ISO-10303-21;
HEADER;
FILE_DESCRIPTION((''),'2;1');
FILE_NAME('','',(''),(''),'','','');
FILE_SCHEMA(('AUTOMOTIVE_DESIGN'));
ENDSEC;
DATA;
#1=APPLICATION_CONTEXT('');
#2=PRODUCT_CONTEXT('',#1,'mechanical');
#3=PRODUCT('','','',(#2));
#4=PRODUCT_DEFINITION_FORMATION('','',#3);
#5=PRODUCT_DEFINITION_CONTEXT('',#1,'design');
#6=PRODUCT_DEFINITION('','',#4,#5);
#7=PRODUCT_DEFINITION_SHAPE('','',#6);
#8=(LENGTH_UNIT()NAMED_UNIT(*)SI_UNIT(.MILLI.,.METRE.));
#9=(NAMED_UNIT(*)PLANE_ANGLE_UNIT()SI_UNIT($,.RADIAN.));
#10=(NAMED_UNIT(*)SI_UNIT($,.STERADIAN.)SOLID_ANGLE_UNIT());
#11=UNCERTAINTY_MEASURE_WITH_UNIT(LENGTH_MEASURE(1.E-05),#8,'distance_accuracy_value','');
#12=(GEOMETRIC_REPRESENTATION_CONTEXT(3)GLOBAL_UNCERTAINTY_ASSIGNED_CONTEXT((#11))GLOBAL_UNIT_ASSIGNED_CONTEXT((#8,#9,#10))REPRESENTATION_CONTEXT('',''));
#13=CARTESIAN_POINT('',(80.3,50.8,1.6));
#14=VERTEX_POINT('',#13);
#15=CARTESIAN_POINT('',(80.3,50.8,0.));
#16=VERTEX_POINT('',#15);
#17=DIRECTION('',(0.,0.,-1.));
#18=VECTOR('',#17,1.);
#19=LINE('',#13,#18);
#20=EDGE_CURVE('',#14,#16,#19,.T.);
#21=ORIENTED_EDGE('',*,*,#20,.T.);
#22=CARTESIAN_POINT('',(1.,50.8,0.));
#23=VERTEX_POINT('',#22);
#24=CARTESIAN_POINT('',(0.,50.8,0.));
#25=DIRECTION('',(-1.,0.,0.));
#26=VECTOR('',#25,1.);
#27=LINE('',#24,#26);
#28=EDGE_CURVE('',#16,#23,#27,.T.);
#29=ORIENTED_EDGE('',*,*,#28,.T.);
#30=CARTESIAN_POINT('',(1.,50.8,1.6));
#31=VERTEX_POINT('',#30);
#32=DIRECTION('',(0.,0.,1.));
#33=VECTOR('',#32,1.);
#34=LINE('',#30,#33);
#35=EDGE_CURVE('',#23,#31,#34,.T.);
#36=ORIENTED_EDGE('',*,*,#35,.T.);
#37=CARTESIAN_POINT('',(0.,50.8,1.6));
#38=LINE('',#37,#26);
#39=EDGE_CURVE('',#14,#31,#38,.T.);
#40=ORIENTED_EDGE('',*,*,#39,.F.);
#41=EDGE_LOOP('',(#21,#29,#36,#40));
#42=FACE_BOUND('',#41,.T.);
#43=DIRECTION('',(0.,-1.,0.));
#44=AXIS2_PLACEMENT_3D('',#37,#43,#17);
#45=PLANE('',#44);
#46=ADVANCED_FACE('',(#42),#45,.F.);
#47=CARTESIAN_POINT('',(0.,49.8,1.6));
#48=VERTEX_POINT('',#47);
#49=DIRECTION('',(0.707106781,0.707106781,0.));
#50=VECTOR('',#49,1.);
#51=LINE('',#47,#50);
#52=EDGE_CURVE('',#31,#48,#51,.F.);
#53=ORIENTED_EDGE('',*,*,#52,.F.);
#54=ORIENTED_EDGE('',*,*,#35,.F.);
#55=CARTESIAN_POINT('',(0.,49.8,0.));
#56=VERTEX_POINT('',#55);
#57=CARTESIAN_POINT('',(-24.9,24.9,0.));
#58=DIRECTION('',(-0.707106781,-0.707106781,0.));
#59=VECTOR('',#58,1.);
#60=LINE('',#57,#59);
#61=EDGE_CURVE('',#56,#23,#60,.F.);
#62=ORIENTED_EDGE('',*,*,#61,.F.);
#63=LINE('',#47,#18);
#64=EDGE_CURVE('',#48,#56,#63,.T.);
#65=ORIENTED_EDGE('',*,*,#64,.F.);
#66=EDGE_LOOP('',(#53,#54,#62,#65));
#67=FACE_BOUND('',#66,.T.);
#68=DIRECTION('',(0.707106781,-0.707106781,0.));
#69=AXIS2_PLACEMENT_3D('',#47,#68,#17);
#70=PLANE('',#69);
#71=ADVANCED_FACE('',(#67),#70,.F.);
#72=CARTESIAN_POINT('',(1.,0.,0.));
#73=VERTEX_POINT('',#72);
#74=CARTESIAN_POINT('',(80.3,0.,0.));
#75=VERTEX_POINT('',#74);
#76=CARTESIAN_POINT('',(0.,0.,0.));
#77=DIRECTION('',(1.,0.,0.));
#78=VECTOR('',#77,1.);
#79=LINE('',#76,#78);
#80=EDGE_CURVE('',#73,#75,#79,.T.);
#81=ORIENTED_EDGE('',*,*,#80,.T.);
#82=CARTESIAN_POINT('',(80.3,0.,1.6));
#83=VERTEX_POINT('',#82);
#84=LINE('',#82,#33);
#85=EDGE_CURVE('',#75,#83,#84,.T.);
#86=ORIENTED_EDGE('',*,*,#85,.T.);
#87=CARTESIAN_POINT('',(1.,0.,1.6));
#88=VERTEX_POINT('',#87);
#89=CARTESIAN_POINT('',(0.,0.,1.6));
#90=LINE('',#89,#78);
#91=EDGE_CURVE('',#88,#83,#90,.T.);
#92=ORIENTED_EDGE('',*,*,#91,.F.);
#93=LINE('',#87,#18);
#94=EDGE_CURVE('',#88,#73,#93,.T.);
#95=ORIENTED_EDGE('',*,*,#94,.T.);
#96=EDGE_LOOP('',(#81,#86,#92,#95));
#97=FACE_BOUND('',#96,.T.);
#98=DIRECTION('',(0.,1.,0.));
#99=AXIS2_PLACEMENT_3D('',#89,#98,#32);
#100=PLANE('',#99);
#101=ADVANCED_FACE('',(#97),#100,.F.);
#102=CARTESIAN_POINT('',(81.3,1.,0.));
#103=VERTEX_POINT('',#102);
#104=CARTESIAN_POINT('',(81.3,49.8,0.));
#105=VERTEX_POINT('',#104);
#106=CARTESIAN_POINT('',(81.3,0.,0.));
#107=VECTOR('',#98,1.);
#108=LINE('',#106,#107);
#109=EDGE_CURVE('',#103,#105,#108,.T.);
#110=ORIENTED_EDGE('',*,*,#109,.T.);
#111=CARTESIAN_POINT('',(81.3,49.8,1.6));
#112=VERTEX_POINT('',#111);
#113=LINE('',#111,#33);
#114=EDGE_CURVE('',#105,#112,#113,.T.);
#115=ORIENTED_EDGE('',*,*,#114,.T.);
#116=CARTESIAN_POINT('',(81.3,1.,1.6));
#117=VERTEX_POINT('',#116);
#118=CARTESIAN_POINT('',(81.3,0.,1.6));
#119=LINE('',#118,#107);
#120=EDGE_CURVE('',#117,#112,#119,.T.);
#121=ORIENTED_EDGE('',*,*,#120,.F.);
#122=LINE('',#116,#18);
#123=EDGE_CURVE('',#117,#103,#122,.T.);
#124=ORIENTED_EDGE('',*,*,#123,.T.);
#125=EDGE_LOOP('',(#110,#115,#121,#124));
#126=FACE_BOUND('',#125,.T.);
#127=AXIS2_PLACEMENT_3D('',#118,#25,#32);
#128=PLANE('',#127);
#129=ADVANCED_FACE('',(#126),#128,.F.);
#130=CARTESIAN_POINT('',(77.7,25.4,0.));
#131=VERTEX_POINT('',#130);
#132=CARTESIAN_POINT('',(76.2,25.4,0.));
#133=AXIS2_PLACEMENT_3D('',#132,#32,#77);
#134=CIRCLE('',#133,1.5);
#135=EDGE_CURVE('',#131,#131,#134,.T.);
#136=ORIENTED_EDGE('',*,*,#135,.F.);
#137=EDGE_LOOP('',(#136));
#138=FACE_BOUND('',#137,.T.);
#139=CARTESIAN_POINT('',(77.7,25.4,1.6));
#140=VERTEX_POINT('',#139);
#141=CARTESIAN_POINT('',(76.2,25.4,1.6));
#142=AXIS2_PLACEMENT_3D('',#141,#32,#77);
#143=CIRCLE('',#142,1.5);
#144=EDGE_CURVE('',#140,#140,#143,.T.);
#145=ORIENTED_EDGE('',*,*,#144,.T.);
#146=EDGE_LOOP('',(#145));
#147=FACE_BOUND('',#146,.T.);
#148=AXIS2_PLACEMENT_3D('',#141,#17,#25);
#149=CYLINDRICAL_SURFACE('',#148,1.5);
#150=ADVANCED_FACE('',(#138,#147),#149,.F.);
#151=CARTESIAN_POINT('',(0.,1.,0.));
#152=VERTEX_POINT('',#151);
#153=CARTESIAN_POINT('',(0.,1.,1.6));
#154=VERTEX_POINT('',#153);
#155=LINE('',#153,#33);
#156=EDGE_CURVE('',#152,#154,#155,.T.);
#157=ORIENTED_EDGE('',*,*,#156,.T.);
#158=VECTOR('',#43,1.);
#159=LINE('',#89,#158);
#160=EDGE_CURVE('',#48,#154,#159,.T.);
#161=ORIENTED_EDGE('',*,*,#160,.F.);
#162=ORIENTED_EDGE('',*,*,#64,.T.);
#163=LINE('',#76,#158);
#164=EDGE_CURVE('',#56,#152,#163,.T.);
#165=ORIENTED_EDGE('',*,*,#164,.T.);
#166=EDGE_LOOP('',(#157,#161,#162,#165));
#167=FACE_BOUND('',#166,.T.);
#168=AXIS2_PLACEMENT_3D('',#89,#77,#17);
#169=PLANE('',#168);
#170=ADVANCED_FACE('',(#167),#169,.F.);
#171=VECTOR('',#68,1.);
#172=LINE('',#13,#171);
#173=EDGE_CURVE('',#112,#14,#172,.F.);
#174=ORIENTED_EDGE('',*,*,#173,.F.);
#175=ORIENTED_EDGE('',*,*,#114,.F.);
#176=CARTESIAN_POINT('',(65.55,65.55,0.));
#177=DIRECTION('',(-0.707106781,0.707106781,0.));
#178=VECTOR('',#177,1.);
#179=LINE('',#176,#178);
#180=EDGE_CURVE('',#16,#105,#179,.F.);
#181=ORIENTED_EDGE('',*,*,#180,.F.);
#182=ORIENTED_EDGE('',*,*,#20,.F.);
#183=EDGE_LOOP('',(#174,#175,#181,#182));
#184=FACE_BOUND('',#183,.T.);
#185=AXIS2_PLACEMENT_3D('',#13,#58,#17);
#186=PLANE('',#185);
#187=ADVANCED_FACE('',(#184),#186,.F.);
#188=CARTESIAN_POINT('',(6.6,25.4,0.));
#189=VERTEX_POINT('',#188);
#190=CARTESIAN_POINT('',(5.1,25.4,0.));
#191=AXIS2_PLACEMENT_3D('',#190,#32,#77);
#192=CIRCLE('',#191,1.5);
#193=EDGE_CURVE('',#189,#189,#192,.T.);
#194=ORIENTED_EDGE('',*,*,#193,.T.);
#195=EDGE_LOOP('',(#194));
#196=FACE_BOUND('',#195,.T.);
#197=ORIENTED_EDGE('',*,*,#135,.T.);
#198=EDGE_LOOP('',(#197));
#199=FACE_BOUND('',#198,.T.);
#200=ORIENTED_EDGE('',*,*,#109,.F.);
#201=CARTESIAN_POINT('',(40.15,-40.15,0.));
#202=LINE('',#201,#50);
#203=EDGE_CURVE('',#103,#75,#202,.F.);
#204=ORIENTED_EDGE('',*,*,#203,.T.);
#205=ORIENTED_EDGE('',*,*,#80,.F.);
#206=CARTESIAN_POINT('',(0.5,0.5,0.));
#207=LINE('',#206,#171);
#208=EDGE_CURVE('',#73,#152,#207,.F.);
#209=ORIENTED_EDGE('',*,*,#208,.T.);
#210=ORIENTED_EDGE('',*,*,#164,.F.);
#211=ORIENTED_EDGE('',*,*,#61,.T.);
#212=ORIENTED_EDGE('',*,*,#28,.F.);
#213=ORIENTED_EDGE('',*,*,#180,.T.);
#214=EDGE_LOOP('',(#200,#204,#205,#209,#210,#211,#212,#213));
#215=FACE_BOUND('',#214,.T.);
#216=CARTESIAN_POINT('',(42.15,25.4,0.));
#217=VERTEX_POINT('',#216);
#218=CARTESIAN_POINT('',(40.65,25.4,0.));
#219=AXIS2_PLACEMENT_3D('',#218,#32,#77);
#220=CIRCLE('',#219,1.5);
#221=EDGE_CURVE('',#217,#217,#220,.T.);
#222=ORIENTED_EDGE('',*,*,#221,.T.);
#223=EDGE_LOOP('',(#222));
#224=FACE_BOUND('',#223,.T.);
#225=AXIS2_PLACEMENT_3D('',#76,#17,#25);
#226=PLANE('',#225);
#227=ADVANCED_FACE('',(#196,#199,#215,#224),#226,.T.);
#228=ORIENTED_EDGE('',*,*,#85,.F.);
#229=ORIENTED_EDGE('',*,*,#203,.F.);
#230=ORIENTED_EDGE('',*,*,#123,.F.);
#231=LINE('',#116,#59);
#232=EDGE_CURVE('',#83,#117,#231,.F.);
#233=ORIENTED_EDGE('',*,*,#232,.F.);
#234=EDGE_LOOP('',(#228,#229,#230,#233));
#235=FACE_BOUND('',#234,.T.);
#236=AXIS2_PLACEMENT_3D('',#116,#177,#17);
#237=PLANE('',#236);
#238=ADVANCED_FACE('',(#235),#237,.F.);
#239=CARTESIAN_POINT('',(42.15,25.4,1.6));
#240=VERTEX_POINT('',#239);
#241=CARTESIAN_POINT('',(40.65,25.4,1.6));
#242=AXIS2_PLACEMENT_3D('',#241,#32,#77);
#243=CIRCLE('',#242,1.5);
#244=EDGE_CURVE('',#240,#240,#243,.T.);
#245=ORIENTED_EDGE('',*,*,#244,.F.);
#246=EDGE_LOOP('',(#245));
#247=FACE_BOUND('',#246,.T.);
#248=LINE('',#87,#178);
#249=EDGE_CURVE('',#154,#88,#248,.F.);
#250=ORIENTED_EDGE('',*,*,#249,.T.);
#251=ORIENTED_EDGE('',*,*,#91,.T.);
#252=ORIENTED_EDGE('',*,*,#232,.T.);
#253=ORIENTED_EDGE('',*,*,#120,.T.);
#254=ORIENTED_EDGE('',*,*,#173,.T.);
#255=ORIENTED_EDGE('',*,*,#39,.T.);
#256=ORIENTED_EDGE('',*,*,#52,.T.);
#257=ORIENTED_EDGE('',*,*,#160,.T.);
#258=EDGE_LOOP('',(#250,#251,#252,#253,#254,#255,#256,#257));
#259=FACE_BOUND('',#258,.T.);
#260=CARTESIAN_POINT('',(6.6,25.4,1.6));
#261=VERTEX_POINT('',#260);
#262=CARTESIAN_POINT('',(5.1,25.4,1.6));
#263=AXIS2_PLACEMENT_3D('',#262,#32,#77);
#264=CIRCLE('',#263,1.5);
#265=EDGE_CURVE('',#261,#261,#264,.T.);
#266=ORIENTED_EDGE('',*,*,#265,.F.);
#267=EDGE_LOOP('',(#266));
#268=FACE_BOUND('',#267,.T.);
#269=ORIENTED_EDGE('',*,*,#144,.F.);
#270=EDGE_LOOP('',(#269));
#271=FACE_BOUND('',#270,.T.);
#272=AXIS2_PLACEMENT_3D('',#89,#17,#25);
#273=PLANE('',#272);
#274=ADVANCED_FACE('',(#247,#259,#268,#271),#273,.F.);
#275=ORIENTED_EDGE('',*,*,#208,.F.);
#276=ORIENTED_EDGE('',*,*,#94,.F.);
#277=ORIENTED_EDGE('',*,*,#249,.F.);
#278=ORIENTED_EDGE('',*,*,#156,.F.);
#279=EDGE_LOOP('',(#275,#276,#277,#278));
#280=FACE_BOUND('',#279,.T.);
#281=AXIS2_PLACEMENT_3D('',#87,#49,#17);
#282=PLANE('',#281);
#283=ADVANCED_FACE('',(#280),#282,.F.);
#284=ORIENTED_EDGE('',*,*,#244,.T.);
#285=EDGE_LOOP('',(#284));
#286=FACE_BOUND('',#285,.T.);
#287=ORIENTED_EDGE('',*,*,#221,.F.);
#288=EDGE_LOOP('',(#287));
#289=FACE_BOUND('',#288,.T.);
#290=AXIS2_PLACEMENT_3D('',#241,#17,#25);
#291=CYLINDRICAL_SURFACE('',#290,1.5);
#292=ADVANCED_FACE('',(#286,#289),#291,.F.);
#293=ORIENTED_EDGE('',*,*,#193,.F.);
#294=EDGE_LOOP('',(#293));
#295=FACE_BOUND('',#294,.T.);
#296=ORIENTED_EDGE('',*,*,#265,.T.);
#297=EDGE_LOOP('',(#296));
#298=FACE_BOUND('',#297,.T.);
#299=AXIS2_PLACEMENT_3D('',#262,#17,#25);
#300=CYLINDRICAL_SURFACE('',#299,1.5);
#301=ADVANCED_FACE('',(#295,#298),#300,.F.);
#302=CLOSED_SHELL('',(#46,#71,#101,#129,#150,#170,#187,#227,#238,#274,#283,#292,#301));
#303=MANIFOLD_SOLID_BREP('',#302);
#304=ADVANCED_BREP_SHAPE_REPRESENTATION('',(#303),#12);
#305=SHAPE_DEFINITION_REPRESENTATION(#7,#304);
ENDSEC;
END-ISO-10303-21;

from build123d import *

# Parameters (mm, degrees)
SKETCH1_W           = 81.3
SKETCH1_H           = 50.8
SKETCH1_R           = 1.5
BOSS_EXTRUDE1_DEPTH = 1.6
CHAMFER1_SIZE       = 1


with BuildPart() as part:
    # Sketch1 → Boss-Extrude1 (new body)
    with BuildSketch(Plane.XY):
        with Locations((40.65, 25.4)):
            Rectangle(SKETCH1_W, SKETCH1_H)
        with Locations((5.1, 25.4)):
            Circle(SKETCH1_R, mode=Mode.SUBTRACT)
        with Locations((40.65, 25.4)):
            Circle(SKETCH1_R, mode=Mode.SUBTRACT)
        with Locations((76.2, 25.4)):
            Circle(SKETCH1_R, mode=Mode.SUBTRACT)
    extrude(amount=BOSS_EXTRUDE1_DEPTH)

    # Chamfer1
    chamfer1_edges = [part.edges().sort_by_distance(p)[0] for p in [
        (0, 50.8, 0.8),
        (81.3, 50.8, 0.8),
        (81.3, 0, 0.8),
        (0, 0, 0.8),
    ]]
    chamfer(chamfer1_edges, length=CHAMFER1_SIZE)


solid = part.part
